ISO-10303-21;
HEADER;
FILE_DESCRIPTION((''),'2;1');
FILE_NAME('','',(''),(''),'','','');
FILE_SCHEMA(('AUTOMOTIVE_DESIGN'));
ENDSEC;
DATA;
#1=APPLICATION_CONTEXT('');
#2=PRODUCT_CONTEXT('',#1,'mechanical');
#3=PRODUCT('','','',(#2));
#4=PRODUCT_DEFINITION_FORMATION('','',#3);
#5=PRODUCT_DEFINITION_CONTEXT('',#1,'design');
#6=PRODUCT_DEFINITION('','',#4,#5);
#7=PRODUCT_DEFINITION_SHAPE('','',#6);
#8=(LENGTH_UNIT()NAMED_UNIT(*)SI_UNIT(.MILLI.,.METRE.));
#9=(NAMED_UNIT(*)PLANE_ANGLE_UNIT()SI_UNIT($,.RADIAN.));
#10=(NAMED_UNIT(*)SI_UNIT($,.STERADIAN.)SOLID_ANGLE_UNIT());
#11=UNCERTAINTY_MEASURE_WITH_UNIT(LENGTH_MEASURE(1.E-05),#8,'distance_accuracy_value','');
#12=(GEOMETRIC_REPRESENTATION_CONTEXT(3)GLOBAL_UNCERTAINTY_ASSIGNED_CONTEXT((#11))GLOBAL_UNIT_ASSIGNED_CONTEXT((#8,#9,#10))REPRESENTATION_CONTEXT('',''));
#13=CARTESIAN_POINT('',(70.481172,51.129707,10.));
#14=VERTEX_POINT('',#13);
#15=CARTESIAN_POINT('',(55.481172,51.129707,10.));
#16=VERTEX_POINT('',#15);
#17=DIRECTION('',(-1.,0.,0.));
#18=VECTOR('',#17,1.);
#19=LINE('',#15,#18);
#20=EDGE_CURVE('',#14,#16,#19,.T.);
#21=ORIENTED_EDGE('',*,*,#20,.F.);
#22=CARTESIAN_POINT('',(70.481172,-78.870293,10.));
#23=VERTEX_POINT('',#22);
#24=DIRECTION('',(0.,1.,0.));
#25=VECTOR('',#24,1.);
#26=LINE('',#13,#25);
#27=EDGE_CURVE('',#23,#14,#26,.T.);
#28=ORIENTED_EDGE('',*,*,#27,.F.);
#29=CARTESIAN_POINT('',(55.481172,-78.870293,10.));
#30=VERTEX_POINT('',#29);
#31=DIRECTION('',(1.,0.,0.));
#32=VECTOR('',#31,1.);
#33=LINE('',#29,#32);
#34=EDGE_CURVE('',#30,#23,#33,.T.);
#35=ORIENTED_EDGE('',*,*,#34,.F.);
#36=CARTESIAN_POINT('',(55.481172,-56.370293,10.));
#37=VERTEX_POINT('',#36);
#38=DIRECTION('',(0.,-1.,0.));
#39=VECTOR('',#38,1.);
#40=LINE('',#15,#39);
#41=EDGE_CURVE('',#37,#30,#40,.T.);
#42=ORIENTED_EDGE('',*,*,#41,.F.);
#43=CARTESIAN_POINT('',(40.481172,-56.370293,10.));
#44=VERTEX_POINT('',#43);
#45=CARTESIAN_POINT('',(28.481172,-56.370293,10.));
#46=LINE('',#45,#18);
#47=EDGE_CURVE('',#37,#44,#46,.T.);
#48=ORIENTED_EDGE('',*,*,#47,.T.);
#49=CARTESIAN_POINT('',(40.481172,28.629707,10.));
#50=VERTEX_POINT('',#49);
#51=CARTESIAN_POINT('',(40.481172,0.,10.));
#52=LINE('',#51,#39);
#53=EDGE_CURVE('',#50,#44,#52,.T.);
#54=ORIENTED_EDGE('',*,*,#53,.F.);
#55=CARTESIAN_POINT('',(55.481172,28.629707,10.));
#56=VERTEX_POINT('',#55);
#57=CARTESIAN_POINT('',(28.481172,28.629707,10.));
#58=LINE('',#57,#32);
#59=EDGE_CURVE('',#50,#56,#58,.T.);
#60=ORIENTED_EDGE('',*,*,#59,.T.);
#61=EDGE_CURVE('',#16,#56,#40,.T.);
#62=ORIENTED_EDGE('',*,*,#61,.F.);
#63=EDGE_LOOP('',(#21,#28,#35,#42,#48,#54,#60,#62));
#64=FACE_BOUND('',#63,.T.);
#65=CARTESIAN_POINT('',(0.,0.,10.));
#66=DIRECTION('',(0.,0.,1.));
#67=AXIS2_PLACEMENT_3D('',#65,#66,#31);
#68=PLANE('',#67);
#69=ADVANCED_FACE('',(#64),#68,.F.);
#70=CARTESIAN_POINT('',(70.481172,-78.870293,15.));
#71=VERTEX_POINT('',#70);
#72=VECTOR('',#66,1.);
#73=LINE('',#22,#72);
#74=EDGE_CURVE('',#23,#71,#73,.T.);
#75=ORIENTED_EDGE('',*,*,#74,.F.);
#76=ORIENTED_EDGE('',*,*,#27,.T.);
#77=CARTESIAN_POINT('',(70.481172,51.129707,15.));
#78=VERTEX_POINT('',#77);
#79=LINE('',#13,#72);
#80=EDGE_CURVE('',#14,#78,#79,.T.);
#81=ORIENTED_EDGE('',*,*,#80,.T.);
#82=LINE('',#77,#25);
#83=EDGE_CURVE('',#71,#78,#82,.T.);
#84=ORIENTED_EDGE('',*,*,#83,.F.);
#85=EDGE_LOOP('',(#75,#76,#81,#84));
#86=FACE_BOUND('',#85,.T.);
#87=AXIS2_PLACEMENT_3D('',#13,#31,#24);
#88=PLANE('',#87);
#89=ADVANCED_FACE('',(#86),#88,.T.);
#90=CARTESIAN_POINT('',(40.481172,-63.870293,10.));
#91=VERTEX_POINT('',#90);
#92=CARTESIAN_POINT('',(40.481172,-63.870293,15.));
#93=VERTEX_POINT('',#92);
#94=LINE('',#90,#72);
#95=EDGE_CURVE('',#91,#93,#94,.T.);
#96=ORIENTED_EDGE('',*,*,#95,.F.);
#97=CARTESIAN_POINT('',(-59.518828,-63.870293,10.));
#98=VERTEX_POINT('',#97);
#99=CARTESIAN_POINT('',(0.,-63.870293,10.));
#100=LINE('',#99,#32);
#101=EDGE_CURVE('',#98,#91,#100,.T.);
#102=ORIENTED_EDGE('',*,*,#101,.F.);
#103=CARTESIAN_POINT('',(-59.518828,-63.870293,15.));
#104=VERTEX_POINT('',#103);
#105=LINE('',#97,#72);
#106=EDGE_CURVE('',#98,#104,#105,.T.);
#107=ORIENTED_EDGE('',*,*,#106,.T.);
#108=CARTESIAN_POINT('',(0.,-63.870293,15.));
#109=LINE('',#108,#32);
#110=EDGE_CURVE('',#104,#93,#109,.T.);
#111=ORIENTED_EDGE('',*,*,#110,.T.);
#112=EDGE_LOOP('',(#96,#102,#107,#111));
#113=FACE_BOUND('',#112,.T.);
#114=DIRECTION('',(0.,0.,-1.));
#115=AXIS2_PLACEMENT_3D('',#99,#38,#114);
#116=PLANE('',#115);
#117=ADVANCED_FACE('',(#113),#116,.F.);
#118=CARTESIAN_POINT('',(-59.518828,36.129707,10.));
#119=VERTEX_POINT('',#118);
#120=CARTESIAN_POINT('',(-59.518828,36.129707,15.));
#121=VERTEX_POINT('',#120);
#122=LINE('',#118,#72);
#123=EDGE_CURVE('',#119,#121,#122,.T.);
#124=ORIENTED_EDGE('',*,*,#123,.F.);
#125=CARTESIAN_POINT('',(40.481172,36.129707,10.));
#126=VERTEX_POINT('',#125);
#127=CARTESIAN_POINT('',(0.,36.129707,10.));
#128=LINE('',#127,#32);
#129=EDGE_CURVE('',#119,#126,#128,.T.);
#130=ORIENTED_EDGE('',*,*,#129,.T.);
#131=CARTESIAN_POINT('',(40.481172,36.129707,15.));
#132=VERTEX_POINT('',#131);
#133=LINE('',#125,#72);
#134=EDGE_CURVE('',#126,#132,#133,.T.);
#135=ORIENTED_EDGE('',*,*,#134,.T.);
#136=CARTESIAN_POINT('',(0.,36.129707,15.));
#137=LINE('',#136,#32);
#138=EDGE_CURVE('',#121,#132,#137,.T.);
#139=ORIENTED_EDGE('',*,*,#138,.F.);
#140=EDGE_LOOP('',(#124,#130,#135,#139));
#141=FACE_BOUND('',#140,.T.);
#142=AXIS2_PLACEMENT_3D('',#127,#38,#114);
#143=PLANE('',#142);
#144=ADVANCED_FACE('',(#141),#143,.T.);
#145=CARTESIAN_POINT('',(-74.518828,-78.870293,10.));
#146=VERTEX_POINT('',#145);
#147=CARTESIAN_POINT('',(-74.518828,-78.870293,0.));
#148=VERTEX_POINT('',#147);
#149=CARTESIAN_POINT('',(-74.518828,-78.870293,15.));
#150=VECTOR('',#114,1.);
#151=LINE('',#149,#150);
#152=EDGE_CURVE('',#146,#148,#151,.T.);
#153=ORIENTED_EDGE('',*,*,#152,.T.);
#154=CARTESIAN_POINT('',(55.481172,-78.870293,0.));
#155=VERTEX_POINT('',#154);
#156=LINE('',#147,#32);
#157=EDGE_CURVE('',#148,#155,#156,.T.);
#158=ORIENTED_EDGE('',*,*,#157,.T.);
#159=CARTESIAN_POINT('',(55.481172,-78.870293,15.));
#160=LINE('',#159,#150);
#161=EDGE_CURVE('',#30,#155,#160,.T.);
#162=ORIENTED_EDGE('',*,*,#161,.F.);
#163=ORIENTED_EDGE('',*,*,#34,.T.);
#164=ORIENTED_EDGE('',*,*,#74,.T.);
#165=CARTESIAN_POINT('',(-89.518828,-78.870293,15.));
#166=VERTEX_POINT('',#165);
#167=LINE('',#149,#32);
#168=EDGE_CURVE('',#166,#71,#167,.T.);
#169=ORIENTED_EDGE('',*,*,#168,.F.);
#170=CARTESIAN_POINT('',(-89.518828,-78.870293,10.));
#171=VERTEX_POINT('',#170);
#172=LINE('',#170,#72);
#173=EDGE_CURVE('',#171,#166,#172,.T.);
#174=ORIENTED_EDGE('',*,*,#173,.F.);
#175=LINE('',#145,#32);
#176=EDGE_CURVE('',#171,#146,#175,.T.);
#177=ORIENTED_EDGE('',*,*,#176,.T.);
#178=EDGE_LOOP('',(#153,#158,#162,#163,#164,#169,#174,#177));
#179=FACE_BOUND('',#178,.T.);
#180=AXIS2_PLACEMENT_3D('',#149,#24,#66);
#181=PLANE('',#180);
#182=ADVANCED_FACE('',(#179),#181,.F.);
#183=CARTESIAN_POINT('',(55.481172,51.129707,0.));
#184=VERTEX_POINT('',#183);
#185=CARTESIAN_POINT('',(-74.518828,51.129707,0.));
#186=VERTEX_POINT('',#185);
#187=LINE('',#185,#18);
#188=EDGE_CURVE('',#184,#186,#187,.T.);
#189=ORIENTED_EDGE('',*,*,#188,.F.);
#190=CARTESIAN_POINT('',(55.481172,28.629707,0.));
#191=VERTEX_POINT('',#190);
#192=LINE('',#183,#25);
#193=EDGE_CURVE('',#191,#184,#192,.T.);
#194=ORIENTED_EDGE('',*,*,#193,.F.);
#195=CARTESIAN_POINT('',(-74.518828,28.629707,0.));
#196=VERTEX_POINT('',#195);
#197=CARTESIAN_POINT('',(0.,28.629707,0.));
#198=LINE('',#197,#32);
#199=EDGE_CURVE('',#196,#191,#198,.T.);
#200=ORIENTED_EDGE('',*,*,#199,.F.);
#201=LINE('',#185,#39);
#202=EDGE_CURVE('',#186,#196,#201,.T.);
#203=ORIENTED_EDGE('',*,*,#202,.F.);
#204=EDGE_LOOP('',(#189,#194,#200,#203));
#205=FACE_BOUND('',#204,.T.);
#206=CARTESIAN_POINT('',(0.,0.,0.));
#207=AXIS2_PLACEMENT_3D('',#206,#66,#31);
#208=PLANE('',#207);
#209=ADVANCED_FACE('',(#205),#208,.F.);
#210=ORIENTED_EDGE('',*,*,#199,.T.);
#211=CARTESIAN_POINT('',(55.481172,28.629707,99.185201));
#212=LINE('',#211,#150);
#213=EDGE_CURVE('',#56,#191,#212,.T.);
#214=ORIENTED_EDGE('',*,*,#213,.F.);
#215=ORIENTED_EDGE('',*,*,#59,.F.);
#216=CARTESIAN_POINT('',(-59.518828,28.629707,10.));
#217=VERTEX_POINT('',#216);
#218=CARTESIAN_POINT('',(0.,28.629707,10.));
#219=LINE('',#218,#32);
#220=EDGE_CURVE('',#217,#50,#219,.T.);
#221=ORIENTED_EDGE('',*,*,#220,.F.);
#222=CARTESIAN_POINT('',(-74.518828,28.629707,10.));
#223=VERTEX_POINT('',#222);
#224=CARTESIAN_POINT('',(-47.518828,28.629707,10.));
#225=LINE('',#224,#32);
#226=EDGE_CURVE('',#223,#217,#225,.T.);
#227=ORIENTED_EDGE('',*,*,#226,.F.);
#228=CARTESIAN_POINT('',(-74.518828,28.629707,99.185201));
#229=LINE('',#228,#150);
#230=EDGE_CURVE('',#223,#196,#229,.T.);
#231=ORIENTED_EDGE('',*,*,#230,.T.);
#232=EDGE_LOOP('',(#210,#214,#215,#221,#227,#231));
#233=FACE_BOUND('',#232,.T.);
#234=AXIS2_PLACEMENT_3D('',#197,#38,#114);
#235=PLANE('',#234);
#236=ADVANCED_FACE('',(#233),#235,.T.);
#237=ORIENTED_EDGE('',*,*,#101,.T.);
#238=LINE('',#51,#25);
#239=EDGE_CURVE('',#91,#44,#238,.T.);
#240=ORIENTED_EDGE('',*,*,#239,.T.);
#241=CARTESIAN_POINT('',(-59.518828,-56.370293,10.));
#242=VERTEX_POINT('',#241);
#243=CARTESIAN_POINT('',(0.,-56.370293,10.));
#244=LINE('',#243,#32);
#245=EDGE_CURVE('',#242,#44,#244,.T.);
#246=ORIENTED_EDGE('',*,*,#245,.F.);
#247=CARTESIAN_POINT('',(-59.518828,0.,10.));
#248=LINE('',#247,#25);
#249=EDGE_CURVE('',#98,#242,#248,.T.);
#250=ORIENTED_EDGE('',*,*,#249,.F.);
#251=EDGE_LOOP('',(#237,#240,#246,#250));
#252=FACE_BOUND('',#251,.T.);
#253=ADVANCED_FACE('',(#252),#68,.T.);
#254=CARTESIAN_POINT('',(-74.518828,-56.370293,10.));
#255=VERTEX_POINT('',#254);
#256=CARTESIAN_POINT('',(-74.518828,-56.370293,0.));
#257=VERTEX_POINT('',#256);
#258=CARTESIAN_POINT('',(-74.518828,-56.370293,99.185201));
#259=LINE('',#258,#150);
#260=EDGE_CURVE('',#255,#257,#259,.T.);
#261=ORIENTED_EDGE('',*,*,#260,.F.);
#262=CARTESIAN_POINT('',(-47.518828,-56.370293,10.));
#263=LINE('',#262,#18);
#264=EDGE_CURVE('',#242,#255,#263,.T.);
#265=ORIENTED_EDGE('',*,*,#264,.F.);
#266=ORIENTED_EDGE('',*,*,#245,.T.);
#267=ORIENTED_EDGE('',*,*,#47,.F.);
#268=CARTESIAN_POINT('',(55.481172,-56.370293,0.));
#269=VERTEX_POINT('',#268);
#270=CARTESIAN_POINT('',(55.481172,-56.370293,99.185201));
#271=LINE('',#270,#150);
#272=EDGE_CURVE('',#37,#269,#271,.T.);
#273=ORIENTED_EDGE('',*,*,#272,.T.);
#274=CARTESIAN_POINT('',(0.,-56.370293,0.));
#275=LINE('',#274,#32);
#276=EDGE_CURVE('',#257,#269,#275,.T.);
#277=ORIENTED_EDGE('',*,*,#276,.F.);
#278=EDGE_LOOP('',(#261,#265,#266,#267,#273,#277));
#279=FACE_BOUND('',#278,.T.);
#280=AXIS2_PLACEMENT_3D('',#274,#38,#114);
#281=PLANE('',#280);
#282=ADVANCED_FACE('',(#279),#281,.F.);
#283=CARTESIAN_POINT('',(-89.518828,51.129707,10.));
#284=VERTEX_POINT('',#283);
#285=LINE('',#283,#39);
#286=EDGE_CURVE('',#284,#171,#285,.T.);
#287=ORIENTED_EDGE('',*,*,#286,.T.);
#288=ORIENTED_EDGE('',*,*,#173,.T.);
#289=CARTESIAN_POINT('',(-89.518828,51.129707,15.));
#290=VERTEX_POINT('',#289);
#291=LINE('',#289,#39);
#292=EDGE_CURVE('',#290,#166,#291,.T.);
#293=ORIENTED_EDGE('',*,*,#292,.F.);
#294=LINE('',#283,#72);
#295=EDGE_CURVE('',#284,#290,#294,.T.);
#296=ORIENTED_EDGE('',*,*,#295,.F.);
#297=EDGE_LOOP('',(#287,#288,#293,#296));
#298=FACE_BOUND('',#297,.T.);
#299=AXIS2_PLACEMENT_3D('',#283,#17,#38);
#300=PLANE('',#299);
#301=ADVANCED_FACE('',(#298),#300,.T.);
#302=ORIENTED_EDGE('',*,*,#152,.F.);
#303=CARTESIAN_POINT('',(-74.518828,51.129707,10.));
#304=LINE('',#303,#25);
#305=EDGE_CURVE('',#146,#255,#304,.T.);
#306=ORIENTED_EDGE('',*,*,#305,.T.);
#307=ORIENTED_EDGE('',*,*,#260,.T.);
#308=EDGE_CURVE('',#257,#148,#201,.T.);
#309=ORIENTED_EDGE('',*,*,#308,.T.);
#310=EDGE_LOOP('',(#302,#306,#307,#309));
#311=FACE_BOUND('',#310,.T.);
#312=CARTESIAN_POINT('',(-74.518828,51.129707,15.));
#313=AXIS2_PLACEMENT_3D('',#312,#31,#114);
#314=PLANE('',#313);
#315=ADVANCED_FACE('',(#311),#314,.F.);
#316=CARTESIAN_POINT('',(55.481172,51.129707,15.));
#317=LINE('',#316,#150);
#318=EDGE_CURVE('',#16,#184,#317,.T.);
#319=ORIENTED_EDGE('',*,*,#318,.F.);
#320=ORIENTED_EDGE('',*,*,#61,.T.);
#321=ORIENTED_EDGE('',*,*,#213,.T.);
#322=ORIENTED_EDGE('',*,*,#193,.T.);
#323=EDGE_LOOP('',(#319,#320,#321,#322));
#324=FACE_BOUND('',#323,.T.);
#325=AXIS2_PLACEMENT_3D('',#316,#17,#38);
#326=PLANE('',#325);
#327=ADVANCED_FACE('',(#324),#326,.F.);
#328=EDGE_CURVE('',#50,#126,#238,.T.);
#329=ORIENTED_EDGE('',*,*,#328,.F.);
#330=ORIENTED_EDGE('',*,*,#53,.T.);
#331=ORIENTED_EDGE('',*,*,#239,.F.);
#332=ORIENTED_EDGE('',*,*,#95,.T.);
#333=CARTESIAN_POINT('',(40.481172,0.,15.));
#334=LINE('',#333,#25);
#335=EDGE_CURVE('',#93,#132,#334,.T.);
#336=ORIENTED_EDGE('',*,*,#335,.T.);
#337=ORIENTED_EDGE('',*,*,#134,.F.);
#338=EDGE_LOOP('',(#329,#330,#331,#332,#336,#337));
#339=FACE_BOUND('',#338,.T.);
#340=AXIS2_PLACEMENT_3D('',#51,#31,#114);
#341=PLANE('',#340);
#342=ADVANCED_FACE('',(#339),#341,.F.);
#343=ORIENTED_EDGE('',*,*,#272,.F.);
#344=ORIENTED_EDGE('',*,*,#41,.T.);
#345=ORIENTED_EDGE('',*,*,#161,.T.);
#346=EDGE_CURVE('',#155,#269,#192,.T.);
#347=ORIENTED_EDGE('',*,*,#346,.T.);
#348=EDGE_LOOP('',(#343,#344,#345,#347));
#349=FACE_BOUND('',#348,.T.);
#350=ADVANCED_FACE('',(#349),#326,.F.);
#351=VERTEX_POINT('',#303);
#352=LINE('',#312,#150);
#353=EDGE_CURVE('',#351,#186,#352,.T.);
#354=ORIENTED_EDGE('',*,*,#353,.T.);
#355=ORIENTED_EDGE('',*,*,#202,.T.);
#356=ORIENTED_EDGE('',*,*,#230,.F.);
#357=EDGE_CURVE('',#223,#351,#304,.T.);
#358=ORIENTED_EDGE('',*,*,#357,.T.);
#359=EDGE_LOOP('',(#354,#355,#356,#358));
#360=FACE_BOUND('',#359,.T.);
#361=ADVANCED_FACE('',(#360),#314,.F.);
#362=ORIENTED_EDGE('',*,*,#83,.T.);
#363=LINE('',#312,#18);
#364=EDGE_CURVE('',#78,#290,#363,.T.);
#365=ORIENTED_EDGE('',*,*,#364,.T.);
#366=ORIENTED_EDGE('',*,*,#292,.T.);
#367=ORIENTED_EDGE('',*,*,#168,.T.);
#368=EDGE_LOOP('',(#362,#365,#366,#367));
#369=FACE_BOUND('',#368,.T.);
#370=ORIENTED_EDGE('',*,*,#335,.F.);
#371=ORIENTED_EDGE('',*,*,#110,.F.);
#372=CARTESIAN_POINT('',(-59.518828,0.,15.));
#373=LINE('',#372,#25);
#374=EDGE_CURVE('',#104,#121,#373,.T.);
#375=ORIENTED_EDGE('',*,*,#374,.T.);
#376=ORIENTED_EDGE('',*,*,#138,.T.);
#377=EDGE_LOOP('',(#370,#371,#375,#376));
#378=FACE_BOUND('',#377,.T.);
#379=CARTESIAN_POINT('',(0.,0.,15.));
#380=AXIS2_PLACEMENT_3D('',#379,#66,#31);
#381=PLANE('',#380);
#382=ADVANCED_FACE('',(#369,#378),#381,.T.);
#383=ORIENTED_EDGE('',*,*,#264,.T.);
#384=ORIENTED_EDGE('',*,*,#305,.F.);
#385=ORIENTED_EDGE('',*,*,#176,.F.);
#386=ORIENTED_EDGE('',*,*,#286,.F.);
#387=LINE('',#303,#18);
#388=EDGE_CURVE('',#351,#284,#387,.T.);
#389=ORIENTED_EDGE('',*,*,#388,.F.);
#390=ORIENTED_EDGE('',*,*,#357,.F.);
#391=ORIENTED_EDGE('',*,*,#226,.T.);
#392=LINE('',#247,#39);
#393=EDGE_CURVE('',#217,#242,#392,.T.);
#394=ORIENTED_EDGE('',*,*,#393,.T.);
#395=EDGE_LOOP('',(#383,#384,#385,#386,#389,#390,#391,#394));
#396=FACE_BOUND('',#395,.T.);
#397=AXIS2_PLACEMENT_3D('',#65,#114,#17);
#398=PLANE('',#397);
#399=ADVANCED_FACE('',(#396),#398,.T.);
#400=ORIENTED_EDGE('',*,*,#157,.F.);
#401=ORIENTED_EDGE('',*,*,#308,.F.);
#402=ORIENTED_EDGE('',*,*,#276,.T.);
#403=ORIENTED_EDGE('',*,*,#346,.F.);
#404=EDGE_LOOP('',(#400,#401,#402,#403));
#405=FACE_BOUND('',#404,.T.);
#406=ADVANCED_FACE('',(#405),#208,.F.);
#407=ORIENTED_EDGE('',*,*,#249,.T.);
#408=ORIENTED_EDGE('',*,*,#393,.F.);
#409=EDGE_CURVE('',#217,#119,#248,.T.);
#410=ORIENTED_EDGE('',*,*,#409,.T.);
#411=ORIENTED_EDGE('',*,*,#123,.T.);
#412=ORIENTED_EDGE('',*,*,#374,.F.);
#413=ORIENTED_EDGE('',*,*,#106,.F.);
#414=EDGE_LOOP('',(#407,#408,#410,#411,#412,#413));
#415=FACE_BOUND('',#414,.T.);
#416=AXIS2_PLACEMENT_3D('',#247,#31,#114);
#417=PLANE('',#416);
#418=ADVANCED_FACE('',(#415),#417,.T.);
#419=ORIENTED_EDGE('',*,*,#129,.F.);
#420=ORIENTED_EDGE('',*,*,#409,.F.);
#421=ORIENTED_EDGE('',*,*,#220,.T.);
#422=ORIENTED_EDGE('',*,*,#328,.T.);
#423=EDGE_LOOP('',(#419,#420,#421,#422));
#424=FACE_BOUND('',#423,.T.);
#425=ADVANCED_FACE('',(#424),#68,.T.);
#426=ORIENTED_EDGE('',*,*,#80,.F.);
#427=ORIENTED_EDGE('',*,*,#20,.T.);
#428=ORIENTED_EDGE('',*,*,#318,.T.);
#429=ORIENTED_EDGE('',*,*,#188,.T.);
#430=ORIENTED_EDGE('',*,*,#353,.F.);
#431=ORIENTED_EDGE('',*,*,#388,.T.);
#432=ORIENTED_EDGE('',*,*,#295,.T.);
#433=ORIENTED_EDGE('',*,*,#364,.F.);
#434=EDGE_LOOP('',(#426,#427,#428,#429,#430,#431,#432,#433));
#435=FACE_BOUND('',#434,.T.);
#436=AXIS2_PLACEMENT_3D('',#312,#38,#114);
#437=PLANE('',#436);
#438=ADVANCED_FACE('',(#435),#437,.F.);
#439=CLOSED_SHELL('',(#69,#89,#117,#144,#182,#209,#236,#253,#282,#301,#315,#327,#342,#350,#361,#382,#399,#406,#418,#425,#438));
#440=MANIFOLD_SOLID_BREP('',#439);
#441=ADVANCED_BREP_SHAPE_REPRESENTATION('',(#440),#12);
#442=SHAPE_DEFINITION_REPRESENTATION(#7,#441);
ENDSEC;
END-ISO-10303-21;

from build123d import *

# Parameters (mm, degrees)
SKETCH1_W           = 130
SKETCH1_H           = 130
BOSS_EXTRUDE1_DEPTH = 15
SKETCH2_W           = 15
SKETCH2_H           = 130
BOSS_EXTRUDE2_DEPTH = 5
CUT_EXTRUDE2_DEPTH  = 5
CUT_EXTRUDE3_DEPTH  = 120.725284495
SKETCH8_W           = 27
SKETCH8_H           = 85
CUT_EXTRUDE5_DEPTH  = 10


with BuildPart() as part:
    # Sketch1 → Boss-Extrude1 (new body)
    with BuildSketch(Plane.XY):
        with Locations((-9.518828452, -13.870292887)):
            Rectangle(SKETCH1_W, SKETCH1_H)
    extrude(amount=BOSS_EXTRUDE1_DEPTH)

    # Sketch2 → Boss-Extrude2 (add)
    with BuildSketch(Plane.XY.offset(15)):
        with Locations((62.981171548, -13.870292887)):
            Rectangle(SKETCH2_W, SKETCH2_H)
        with Locations((-82.018828452, -13.870292887)):
            Rectangle(SKETCH2_W, SKETCH2_H)
    extrude(amount=-BOSS_EXTRUDE2_DEPTH)

    # Sketch3 → Cut-Extrude2 (cut)
    with BuildSketch(Plane.XY.offset(15)):
        Polygon((-9.518828452, -13.870292887), (-59.518828452, 26.754707113), (-59.518828452, -54.495292887), align=None)
        Polygon((-59.518828452, 36.129707113), (-59.518828452, 26.754707113), (-9.518828452, -13.870292887), (40.481171548, 26.754707113), (40.481171548, 36.129707113), align=None)
        Polygon((40.481171548, -54.495292887), (-9.518828452, -13.870292887), (-59.518828452, -54.495292887), (-59.518828452, -63.870292887), (40.481171548, -63.870292887), align=None)
        Polygon((40.481171548, 26.754707113), (-9.518828452, -13.870292887), (40.481171548, -54.495292887), align=None)
    extrude(amount=-CUT_EXTRUDE2_DEPTH, mode=Mode.SUBTRACT)

    # Sketch5 → Cut-Extrude3 (cut, through all)
    with BuildSketch(Plane.XY.offset(10)):
        Polygon((-47.518828452, 24.129707113), (-47.518828452, -51.870292887), (-9.518828452, -13.870292887), align=None)
        Polygon((-47.518828452, 24.129707113), (-9.518828452, -13.870292887), (28.481171548, 24.129707113), (28.481171548, 28.629707113), (-47.518828452, 28.629707113), align=None)
        Polygon((28.481171548, 24.129707113), (-9.518828452, -13.870292887), (28.481171548, -51.870292887), align=None)
        Polygon((-9.518828452, -13.870292887), (-47.518828452, -51.870292887), (-47.518828452, -56.370292887), (28.481171548, -56.370292887), (28.481171548, -51.870292887), align=None)
    extrude(amount=-CUT_EXTRUDE3_DEPTH, mode=Mode.SUBTRACT)

    # Sketch8 → Cut-Extrude5 (cut)
    with BuildSketch(Plane(origin=(0, 0, 0), x_dir=(-1, 0, 0), z_dir=(0, 0, -1))):
        with Locations((61.018828452, -13.870292887)):
            Rectangle(SKETCH8_W, SKETCH8_H)
        with Locations((-41.981171548, -13.870292887)):
            Rectangle(SKETCH8_W, SKETCH8_H)
    extrude(amount=-CUT_EXTRUDE5_DEPTH, mode=Mode.SUBTRACT)


solid = part.part
